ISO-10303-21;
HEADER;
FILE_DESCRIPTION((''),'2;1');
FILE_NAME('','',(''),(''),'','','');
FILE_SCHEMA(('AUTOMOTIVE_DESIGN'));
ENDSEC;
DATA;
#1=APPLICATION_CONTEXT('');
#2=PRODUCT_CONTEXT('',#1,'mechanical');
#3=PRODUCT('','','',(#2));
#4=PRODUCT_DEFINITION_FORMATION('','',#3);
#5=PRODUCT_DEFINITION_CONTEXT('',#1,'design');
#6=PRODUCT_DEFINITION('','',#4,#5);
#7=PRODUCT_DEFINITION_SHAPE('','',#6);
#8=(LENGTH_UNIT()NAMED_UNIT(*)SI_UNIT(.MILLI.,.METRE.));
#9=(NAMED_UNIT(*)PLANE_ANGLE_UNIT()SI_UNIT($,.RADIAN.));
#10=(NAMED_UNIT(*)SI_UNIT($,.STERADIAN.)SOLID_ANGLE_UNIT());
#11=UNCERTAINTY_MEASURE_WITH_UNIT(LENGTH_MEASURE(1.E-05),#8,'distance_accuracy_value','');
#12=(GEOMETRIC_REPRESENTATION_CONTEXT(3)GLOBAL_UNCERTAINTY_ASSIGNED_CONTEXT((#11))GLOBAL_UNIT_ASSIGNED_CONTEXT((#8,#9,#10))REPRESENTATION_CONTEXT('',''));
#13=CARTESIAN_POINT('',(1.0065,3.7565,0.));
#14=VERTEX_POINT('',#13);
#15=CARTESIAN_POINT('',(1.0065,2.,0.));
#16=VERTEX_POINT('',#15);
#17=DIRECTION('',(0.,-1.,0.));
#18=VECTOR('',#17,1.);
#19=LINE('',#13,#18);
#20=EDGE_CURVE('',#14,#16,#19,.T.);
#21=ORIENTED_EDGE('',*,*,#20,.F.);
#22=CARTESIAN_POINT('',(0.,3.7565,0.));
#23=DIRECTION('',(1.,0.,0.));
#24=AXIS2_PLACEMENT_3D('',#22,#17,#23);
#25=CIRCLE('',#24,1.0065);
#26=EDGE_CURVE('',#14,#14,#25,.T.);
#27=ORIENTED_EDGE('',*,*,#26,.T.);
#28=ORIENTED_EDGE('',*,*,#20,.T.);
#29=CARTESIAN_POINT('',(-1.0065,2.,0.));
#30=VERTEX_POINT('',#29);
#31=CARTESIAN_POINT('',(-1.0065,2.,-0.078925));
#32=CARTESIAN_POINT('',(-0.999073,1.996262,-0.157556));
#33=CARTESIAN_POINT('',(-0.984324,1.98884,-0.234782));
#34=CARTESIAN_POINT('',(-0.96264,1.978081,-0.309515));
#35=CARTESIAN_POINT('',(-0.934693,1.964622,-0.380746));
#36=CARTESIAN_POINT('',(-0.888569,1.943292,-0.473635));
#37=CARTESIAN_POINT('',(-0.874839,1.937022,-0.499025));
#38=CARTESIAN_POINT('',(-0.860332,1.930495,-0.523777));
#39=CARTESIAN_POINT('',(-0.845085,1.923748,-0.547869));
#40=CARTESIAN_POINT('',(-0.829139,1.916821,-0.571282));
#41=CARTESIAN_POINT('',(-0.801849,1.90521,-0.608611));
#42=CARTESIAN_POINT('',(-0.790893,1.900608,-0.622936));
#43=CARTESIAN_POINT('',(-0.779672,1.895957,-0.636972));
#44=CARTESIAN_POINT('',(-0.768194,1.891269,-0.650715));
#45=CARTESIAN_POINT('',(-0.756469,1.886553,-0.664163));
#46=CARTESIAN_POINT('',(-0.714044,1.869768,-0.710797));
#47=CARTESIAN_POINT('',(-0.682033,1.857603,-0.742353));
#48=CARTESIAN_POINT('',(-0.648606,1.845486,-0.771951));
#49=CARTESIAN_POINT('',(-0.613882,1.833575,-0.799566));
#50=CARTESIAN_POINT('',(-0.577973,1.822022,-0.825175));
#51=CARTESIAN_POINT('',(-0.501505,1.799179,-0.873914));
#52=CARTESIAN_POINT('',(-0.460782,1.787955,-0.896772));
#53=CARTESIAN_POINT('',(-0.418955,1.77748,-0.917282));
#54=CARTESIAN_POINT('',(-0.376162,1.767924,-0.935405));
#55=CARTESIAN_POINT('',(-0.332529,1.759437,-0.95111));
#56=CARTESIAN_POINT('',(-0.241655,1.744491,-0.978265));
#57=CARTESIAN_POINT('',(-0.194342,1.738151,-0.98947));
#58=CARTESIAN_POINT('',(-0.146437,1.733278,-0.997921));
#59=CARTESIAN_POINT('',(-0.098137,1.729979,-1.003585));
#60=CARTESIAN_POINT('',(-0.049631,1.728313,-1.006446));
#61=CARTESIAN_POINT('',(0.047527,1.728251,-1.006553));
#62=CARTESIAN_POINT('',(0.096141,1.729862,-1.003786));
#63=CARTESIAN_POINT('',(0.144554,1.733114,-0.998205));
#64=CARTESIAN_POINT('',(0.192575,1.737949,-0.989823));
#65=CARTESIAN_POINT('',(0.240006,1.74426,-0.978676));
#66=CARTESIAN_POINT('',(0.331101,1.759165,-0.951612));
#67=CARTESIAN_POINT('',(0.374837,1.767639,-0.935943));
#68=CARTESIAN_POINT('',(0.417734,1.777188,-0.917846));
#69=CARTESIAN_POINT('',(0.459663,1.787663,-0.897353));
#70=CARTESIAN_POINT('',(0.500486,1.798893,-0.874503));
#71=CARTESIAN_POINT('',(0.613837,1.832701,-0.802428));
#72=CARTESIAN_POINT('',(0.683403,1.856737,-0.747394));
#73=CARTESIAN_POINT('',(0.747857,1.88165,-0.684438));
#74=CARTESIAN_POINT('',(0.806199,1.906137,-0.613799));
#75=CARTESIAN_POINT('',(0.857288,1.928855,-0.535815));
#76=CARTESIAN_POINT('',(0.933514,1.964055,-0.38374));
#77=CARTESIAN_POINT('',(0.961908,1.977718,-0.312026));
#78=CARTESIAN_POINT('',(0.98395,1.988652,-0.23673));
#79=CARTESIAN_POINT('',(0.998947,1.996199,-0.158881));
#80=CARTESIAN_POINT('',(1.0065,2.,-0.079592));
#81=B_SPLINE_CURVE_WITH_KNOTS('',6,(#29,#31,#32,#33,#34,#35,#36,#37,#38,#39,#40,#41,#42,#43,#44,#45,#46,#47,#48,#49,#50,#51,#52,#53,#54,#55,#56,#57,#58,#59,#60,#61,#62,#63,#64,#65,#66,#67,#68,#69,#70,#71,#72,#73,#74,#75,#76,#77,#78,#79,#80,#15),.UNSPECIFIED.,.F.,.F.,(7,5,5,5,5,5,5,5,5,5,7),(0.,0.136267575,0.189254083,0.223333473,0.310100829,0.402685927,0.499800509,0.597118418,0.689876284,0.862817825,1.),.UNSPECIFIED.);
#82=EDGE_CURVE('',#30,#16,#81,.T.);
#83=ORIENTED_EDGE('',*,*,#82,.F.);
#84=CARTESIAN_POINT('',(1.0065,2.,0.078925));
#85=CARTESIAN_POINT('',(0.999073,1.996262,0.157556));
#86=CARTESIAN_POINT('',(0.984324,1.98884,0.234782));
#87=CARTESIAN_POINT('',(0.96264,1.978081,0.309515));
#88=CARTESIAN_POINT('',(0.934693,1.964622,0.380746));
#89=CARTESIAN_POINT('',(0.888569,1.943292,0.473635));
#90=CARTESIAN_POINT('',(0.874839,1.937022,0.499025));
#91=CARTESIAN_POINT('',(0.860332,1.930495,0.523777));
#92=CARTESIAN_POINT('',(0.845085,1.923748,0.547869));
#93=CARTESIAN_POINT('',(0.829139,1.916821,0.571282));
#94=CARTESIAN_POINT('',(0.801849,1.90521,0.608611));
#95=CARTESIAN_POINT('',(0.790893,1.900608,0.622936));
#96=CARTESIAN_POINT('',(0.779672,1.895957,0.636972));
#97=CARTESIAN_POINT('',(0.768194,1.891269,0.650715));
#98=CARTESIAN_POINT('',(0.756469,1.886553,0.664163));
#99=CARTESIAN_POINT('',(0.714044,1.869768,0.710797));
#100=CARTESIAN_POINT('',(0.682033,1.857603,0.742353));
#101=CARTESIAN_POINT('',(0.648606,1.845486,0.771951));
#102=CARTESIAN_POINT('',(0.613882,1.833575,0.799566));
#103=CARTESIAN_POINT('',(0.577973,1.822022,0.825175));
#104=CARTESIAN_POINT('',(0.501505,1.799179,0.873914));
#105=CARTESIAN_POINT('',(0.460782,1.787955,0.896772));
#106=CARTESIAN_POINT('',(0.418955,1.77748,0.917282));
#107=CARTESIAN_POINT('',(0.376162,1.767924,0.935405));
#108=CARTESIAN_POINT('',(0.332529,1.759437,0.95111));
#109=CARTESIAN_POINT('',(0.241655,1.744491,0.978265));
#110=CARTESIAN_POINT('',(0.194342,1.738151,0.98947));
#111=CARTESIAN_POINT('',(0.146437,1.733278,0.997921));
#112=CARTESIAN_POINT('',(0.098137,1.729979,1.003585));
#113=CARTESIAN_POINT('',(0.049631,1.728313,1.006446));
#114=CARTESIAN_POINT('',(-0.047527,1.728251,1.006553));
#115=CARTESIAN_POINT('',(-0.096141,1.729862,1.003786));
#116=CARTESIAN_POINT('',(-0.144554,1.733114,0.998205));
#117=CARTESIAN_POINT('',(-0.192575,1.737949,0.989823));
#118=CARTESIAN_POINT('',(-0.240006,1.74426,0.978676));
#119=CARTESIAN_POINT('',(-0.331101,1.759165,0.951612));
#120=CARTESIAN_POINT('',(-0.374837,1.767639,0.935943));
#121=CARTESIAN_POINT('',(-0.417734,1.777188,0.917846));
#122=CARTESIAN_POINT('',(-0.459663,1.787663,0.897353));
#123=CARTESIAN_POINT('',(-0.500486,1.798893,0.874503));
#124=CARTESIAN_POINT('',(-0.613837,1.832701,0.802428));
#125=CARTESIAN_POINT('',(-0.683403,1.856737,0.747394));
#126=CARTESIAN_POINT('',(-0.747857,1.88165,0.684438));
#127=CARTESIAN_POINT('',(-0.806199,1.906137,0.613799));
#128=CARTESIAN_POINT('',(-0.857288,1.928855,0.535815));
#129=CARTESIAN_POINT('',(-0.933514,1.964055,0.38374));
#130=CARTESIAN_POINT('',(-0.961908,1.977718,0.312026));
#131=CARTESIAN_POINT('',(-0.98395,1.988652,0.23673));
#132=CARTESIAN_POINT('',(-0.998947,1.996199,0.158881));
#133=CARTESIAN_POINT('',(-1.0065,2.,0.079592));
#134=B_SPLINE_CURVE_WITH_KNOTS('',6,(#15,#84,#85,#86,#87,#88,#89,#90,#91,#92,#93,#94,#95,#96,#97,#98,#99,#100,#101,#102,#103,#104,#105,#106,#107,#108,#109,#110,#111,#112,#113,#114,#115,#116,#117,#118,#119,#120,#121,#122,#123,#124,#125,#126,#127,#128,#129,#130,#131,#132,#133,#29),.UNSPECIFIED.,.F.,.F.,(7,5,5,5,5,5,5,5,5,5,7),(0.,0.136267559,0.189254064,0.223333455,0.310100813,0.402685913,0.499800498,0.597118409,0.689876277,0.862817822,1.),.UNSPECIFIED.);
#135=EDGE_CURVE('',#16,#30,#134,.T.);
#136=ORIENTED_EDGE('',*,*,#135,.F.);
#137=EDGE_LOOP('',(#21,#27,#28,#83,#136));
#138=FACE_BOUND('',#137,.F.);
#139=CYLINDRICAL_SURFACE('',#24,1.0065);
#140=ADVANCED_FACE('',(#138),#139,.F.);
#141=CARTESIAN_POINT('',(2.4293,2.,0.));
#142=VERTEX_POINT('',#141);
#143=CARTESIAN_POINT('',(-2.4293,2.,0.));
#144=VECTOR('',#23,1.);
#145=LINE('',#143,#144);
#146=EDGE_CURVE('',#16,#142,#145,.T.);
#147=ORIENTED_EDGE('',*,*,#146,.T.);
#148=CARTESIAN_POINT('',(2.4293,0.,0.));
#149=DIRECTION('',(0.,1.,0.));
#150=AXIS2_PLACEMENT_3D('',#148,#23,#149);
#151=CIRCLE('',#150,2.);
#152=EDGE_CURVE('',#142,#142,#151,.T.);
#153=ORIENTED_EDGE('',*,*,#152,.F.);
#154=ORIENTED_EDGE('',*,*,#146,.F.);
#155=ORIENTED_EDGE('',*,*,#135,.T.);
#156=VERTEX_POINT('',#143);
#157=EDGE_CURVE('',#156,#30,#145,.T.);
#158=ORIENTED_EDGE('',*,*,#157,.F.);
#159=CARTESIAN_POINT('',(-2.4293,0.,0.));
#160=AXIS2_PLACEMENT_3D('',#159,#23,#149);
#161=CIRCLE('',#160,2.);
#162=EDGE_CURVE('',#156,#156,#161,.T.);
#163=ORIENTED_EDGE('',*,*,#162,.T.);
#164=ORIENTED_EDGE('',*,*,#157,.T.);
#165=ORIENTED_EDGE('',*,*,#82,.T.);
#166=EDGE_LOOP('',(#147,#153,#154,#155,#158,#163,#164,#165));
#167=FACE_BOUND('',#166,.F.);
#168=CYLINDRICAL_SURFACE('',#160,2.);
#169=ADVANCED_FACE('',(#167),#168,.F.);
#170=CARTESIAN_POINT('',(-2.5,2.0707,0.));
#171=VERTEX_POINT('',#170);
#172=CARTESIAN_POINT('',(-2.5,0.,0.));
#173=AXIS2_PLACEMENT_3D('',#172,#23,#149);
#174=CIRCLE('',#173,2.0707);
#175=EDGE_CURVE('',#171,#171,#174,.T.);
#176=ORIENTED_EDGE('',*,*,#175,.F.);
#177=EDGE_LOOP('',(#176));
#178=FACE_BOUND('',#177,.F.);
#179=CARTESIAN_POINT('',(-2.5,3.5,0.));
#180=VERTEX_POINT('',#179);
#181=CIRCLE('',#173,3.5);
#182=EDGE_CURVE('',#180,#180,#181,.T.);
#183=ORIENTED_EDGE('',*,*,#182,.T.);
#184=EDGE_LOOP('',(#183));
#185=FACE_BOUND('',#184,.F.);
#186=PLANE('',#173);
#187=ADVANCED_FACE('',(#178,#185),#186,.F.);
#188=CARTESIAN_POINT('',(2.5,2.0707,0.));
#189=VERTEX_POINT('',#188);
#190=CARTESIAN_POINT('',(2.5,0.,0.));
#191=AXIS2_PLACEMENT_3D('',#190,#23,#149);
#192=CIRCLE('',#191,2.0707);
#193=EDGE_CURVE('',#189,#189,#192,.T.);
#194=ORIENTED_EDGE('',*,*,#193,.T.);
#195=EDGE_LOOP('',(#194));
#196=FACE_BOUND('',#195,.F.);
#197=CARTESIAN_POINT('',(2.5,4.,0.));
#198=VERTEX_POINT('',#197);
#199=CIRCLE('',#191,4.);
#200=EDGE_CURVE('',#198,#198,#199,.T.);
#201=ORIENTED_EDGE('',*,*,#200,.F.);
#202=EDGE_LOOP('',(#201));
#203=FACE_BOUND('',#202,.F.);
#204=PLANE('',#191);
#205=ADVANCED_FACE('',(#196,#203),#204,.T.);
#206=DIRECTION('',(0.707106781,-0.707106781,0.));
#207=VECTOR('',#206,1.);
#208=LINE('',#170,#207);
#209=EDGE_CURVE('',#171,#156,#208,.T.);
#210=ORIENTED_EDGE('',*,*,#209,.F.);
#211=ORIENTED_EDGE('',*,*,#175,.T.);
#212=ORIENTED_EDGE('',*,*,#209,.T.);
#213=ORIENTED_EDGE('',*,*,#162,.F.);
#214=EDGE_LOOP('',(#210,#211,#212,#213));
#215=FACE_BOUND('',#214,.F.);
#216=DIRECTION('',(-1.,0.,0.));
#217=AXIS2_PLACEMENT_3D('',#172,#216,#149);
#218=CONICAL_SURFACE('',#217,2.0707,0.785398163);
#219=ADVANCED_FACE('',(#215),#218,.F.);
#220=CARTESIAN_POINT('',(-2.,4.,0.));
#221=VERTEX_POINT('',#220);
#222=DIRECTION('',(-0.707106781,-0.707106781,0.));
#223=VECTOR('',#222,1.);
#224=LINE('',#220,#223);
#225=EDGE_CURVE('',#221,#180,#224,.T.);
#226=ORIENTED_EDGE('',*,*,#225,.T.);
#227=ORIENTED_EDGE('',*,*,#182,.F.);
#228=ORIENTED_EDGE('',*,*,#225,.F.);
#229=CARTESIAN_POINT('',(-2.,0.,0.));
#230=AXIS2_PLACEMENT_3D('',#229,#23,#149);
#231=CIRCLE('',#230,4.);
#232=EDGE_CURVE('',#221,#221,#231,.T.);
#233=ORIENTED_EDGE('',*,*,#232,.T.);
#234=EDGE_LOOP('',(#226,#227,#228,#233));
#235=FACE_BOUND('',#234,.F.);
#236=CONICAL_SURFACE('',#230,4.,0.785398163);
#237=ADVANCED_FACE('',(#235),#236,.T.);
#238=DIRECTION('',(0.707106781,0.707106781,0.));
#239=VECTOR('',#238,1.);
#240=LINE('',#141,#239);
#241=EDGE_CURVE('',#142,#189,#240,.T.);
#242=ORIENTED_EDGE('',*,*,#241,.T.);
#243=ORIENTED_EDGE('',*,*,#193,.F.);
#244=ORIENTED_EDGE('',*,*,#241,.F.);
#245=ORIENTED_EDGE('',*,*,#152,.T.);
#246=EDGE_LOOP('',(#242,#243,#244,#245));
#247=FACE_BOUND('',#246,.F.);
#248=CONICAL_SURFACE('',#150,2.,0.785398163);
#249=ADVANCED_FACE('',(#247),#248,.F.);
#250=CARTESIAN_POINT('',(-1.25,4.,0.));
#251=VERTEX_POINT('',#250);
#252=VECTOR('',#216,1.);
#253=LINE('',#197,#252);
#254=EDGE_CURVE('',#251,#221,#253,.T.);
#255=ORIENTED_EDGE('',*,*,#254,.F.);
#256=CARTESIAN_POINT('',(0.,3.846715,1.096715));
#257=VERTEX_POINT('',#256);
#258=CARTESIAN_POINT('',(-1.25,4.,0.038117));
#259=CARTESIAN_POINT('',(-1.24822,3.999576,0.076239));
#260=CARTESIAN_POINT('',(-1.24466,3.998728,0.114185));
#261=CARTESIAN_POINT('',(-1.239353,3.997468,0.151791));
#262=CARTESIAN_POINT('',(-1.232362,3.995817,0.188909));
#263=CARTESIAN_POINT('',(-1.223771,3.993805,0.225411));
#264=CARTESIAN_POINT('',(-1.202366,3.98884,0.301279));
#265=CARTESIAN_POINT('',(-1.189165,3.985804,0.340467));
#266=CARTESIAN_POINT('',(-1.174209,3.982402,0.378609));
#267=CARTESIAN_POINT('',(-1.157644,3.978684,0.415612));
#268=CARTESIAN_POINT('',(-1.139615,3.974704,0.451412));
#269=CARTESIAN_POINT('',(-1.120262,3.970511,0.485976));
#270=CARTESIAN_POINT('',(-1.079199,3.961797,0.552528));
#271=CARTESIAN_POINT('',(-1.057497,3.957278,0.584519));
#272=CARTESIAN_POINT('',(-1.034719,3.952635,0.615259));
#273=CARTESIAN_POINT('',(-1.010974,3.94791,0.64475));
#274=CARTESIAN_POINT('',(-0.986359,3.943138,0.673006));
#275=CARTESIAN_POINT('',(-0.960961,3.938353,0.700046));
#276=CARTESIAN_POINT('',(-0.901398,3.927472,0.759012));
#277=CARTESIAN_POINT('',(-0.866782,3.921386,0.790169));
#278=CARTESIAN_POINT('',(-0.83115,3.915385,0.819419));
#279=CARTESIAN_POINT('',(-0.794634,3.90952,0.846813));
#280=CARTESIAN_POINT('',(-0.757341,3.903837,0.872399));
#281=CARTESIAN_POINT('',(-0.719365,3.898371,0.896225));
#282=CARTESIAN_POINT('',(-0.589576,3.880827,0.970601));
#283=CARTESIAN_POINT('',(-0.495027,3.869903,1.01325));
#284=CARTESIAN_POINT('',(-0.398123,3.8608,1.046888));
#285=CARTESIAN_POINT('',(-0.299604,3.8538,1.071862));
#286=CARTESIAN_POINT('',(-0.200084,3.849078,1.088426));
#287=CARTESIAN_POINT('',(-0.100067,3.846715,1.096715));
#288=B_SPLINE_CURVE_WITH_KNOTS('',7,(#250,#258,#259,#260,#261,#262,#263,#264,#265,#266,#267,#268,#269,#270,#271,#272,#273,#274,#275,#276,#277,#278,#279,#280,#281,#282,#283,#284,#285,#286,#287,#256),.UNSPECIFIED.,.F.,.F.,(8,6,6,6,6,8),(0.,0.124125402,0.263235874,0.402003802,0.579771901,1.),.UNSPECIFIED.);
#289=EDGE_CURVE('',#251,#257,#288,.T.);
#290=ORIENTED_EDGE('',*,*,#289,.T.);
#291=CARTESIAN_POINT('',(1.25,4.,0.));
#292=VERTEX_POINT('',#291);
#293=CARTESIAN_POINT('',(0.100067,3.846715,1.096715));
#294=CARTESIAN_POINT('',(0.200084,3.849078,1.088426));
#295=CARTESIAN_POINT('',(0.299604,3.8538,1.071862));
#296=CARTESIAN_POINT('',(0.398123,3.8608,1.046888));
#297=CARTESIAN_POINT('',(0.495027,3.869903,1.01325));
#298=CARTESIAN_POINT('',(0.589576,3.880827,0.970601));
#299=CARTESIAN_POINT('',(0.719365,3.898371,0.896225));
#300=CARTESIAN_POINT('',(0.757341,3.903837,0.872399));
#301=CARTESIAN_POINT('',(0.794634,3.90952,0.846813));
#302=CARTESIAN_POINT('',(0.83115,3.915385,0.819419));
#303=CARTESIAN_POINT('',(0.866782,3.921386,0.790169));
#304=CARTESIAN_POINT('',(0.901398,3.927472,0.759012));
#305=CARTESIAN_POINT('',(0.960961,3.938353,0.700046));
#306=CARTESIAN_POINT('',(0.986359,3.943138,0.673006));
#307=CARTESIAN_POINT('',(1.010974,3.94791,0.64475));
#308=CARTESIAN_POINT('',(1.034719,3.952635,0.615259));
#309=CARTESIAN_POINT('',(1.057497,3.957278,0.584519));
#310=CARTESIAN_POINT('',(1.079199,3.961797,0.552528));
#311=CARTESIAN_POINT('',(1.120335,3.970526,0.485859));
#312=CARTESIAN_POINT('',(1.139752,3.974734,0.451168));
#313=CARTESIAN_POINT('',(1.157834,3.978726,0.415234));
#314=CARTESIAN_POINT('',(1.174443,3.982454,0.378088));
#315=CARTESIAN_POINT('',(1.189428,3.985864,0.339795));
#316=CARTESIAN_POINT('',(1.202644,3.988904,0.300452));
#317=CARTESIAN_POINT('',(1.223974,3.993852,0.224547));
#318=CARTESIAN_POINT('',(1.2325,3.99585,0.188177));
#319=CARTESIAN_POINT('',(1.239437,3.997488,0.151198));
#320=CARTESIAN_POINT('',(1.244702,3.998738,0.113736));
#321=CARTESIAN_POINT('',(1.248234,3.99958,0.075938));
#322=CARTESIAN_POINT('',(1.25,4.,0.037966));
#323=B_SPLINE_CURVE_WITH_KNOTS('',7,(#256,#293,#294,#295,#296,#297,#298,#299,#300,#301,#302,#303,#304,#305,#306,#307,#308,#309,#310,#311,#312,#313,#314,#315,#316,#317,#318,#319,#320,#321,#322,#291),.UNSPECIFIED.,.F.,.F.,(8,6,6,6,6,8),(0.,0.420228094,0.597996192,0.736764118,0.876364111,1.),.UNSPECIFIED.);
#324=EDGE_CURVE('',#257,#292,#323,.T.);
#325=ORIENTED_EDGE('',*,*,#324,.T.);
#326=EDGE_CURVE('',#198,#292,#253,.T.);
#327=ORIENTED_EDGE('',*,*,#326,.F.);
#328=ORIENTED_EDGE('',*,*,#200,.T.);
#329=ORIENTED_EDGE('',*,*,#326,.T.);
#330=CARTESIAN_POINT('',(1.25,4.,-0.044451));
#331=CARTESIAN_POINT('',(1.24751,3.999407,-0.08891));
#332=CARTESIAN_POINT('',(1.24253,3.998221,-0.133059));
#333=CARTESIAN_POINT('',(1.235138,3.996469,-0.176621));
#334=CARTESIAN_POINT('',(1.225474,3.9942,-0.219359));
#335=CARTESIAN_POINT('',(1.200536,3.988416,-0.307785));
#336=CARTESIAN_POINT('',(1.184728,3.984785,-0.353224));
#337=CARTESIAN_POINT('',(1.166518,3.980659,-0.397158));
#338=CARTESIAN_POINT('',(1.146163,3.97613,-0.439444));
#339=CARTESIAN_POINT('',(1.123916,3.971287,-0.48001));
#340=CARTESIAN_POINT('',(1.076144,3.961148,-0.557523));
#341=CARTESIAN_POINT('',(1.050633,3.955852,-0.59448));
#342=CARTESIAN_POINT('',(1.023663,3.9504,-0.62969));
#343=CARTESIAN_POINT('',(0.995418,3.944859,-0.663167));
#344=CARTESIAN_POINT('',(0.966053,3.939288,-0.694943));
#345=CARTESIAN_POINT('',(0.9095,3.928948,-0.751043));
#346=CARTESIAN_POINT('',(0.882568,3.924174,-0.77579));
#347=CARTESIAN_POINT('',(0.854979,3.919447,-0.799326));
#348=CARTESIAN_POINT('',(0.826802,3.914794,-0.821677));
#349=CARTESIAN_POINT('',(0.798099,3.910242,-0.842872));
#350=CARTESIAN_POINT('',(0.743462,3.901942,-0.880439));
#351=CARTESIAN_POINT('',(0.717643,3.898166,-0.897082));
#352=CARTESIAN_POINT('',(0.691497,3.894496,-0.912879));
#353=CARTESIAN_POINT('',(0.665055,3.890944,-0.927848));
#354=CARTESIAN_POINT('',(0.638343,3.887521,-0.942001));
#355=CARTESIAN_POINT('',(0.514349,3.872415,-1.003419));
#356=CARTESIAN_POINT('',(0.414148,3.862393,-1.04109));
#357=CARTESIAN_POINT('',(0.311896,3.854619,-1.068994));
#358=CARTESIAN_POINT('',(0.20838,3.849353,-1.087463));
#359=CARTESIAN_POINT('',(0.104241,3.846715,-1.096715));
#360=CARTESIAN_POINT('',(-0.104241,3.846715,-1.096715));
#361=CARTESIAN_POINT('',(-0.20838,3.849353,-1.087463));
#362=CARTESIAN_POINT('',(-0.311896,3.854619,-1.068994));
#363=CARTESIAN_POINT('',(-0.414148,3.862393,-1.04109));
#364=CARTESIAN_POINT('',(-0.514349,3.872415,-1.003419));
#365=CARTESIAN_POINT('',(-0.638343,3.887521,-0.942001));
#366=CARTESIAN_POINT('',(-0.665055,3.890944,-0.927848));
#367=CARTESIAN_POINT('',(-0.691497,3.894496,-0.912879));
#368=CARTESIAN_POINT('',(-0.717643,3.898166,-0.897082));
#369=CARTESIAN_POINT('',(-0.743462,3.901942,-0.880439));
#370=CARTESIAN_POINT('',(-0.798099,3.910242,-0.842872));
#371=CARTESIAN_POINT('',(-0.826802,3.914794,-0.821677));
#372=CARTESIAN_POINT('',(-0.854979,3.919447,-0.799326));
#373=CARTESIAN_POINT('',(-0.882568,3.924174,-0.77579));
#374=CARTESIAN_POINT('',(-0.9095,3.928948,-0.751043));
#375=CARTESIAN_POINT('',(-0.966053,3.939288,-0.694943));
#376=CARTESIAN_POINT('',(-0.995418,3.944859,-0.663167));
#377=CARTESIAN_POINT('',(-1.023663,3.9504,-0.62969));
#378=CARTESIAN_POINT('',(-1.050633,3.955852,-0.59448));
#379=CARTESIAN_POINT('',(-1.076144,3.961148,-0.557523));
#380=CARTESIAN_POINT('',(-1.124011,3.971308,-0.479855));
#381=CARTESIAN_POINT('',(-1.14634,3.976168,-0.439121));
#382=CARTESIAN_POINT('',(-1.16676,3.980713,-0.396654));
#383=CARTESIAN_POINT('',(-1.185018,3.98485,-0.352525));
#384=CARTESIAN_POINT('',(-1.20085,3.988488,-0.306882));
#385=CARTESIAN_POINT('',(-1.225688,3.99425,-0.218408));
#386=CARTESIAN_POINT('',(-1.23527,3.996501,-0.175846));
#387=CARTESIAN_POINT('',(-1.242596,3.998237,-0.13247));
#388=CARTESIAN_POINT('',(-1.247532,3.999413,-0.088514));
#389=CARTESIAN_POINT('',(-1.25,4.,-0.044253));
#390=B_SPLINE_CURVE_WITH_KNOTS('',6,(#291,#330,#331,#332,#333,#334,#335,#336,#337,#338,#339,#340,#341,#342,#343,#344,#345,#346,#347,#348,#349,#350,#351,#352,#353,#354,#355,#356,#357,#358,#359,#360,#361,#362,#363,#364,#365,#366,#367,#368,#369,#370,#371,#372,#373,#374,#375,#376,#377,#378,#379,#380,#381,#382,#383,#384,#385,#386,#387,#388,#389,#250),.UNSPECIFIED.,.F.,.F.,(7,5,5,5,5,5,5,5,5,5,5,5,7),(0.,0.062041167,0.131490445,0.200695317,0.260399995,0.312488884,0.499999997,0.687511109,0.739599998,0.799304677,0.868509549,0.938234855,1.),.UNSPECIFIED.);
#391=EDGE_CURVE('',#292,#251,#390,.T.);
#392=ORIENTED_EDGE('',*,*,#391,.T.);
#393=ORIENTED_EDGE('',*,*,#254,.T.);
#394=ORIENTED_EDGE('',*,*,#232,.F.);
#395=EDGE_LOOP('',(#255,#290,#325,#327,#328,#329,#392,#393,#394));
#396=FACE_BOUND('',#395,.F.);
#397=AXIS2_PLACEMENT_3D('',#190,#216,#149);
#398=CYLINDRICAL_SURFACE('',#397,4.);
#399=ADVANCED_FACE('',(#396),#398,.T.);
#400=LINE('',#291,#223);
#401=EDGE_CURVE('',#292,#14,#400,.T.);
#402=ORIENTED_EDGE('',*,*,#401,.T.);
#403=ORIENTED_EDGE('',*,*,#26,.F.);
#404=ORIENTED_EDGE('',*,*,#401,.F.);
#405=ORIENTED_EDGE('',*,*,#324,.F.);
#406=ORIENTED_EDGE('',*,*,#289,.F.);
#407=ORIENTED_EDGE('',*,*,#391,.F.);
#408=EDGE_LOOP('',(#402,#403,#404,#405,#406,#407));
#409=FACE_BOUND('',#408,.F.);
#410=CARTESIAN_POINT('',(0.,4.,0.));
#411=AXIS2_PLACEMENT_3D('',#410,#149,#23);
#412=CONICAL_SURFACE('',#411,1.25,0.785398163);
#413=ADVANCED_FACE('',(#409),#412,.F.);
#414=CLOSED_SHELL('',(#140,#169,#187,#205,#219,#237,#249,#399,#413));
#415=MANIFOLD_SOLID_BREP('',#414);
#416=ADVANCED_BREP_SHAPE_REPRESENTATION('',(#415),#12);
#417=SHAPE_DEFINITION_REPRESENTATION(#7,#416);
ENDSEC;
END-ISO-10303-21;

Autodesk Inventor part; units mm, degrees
sketch "Skizze_1" plane through (0, 0, 0) normal (0, 0, 1) x (1, 0, 0)
  line L0 (2.5, 0) -> (-2.5, 0)
  line L1 (-2.5, 3.5) -> (-2.5, 2.0707)
  line L2 (-2.5, 2.0707) -> (-2.4293, 2)
  line L3 (-2.4293, 2) -> (2.4293, 2)
  line L4 (2.4293, 2) -> (2.5, 2.0707)
  line L5 (2.5, 2.0707) -> (2.5, 4)
  line L6 (2.5, 4) -> (-2, 4)
  line L7 (-2, 4) -> (-2.5, 3.5)
revolve "Revolution1" add sketch "Skizze_1" angle 360 about axis through (2.5, 0, 0) along (1, 0, 0)
sketch "Skizze_2" plane through (0, 0, 0) normal (0, 0, 1) x (1, 0, 0)
  line L0 (0, 1.25) -> (0, 4)
  line L1 (0, 4) -> (1.25, 4)
  line L2 (1.25, 4) -> (1.0065, 3.7565)
  line L3 (1.0065, 3.7565) -> (1.0065, 1.4935)
  line L4 (1.0065, 1.4935) -> (1.25, 1.25)
  line L5 (1.25, 1.25) -> (0, 1.25)
  line L6 (0, 1.25) -> (0, 4)
revolve "Revolution2" cut sketch "Skizze_2" angle 360 about axis through (0, 1.25, 0) along (0, -1, 0)
thread "Thread1" size "M2.5x0.45" class "6H" standard "ISO Metric profile" length 2.263
ref_plane "gst_nr_1_XY" through (0, 4, 0) normal (0, 1, 0) x (1, 0, 0)
ref_plane "gst_nr_1_YZ" through (0, 4, 0) normal (1, 0, 0) x (0, 0, -1)
ref_plane "gst_nr_1_ZX" through (0, 4, 0) normal (0, 0, -1) x (0, 1, 0)
properties part number "623890046_1"
